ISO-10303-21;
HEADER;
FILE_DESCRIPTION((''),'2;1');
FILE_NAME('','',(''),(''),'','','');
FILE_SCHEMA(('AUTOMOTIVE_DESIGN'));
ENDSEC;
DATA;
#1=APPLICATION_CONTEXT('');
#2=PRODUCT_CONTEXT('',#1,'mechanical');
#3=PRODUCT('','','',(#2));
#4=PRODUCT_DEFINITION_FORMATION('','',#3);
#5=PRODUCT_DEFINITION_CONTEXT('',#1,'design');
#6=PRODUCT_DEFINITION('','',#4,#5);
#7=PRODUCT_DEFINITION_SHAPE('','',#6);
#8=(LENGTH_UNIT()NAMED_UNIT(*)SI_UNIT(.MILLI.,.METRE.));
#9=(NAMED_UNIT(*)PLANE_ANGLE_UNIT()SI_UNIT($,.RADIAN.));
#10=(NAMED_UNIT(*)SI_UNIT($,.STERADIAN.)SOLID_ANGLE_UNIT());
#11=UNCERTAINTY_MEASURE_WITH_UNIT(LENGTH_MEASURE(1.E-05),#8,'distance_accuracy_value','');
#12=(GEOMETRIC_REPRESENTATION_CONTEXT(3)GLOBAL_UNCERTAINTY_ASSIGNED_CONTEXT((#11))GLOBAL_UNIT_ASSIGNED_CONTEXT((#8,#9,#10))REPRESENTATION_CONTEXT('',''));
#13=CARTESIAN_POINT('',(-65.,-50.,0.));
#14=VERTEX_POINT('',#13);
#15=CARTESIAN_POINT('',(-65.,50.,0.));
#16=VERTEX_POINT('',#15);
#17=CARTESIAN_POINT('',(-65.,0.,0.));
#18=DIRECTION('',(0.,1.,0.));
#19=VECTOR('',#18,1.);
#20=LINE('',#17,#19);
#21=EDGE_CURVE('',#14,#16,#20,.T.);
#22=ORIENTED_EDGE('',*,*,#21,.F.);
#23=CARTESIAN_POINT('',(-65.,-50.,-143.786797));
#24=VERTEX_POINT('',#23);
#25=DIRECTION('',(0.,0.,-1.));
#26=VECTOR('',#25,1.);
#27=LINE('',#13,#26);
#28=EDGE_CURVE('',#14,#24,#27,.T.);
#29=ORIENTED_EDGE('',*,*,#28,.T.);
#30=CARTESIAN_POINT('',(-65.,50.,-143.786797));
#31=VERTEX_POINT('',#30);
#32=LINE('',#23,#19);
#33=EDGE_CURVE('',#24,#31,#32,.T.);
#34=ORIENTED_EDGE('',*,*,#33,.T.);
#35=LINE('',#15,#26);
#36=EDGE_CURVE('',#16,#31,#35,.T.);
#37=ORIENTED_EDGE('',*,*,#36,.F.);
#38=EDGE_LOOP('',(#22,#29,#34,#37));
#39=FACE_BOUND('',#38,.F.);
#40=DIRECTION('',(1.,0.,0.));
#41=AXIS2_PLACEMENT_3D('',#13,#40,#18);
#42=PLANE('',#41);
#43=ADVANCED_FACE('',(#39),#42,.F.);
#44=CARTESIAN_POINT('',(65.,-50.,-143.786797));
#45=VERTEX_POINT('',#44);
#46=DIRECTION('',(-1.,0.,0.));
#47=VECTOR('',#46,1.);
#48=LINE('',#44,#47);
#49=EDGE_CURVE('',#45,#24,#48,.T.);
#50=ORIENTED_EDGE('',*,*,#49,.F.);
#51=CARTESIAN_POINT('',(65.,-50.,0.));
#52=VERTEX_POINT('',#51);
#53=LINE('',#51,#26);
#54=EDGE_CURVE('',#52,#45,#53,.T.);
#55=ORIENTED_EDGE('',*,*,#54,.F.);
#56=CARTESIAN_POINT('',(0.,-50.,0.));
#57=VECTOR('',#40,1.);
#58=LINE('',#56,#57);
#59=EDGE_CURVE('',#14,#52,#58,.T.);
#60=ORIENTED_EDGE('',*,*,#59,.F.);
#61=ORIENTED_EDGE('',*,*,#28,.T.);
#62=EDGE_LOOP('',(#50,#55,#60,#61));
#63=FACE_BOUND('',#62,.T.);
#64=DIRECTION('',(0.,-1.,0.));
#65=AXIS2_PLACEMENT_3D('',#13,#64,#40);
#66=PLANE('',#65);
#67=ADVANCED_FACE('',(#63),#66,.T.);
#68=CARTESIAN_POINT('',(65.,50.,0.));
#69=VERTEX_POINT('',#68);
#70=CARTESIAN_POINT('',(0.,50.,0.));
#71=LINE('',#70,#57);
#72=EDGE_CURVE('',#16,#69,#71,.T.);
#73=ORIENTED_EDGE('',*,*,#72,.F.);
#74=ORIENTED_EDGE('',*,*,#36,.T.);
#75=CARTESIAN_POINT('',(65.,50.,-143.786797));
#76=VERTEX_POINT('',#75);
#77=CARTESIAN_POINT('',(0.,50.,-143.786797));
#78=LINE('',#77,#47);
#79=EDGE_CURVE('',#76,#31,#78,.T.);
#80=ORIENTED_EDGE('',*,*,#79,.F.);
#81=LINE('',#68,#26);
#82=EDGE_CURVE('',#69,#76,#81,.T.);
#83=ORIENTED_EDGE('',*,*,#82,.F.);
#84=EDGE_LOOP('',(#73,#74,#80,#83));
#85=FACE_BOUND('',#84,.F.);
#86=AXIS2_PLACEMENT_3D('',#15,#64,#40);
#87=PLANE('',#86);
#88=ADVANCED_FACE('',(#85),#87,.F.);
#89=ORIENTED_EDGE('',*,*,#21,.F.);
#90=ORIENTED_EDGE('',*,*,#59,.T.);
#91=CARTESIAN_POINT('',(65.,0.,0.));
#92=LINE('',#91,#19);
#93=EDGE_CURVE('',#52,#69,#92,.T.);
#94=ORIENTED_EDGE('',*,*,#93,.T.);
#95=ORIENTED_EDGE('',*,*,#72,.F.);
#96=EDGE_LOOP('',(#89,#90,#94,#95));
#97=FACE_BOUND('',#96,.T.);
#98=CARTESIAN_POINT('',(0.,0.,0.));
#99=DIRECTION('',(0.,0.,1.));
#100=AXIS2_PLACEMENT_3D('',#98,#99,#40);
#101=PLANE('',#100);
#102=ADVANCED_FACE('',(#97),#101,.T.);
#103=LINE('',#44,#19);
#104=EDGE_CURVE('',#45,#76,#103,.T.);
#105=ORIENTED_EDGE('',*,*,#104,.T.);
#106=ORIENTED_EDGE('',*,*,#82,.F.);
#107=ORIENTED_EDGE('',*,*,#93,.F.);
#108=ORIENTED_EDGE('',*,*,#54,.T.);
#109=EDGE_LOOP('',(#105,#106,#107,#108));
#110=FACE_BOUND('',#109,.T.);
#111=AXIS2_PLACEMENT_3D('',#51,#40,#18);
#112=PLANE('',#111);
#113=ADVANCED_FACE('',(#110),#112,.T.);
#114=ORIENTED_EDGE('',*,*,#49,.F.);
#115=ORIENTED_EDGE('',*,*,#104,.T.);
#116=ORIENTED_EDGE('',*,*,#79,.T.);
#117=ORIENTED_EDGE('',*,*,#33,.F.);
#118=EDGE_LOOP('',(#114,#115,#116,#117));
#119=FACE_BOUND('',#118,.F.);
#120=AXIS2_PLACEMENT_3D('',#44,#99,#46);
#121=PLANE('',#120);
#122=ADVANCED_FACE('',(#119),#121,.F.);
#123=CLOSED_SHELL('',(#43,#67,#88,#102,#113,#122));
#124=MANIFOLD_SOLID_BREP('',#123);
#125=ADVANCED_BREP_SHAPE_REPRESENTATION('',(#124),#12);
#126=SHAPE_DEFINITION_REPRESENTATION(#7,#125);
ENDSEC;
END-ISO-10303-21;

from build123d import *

# Parameters (mm, degrees)
F0_W     = 130
F0_H     = 100
F1_DEPTH = 180
F2_R     = 36.213203
F4_DEPTH = 115


with BuildPart() as f1:
    # F0 (on Top) → F1 (new body)
    with BuildSketch(Plane.XY):
        Rectangle(F0_W, F0_H)
    extrude(amount=-F1_DEPTH)

    # F2
    f2_edges = [f1.edges().sort_by_distance(p)[0] for p in [
        (65, 0, -180),
        (-65, 0, -180),
    ]]
    fillet(f2_edges, radius=F2_R)

    # F3 (on face) → F4 (cut)
    with BuildSketch(Plane.XZ.offset(50)):
        with BuildLine():
            ThreePointArc((28.786797, -180), (54.393398, -169.393398), (65, -143.786797))
            Line((65, -143.786797), (-65, -143.786797))
            ThreePointArc((-65, -143.786797), (-54.393398, -169.393398), (-28.786797, -180))
            Line((-28.786797, -180), (28.786797, -180))
        make_face()
    extrude(amount=-F4_DEPTH, mode=Mode.SUBTRACT)


solid = f1.part
